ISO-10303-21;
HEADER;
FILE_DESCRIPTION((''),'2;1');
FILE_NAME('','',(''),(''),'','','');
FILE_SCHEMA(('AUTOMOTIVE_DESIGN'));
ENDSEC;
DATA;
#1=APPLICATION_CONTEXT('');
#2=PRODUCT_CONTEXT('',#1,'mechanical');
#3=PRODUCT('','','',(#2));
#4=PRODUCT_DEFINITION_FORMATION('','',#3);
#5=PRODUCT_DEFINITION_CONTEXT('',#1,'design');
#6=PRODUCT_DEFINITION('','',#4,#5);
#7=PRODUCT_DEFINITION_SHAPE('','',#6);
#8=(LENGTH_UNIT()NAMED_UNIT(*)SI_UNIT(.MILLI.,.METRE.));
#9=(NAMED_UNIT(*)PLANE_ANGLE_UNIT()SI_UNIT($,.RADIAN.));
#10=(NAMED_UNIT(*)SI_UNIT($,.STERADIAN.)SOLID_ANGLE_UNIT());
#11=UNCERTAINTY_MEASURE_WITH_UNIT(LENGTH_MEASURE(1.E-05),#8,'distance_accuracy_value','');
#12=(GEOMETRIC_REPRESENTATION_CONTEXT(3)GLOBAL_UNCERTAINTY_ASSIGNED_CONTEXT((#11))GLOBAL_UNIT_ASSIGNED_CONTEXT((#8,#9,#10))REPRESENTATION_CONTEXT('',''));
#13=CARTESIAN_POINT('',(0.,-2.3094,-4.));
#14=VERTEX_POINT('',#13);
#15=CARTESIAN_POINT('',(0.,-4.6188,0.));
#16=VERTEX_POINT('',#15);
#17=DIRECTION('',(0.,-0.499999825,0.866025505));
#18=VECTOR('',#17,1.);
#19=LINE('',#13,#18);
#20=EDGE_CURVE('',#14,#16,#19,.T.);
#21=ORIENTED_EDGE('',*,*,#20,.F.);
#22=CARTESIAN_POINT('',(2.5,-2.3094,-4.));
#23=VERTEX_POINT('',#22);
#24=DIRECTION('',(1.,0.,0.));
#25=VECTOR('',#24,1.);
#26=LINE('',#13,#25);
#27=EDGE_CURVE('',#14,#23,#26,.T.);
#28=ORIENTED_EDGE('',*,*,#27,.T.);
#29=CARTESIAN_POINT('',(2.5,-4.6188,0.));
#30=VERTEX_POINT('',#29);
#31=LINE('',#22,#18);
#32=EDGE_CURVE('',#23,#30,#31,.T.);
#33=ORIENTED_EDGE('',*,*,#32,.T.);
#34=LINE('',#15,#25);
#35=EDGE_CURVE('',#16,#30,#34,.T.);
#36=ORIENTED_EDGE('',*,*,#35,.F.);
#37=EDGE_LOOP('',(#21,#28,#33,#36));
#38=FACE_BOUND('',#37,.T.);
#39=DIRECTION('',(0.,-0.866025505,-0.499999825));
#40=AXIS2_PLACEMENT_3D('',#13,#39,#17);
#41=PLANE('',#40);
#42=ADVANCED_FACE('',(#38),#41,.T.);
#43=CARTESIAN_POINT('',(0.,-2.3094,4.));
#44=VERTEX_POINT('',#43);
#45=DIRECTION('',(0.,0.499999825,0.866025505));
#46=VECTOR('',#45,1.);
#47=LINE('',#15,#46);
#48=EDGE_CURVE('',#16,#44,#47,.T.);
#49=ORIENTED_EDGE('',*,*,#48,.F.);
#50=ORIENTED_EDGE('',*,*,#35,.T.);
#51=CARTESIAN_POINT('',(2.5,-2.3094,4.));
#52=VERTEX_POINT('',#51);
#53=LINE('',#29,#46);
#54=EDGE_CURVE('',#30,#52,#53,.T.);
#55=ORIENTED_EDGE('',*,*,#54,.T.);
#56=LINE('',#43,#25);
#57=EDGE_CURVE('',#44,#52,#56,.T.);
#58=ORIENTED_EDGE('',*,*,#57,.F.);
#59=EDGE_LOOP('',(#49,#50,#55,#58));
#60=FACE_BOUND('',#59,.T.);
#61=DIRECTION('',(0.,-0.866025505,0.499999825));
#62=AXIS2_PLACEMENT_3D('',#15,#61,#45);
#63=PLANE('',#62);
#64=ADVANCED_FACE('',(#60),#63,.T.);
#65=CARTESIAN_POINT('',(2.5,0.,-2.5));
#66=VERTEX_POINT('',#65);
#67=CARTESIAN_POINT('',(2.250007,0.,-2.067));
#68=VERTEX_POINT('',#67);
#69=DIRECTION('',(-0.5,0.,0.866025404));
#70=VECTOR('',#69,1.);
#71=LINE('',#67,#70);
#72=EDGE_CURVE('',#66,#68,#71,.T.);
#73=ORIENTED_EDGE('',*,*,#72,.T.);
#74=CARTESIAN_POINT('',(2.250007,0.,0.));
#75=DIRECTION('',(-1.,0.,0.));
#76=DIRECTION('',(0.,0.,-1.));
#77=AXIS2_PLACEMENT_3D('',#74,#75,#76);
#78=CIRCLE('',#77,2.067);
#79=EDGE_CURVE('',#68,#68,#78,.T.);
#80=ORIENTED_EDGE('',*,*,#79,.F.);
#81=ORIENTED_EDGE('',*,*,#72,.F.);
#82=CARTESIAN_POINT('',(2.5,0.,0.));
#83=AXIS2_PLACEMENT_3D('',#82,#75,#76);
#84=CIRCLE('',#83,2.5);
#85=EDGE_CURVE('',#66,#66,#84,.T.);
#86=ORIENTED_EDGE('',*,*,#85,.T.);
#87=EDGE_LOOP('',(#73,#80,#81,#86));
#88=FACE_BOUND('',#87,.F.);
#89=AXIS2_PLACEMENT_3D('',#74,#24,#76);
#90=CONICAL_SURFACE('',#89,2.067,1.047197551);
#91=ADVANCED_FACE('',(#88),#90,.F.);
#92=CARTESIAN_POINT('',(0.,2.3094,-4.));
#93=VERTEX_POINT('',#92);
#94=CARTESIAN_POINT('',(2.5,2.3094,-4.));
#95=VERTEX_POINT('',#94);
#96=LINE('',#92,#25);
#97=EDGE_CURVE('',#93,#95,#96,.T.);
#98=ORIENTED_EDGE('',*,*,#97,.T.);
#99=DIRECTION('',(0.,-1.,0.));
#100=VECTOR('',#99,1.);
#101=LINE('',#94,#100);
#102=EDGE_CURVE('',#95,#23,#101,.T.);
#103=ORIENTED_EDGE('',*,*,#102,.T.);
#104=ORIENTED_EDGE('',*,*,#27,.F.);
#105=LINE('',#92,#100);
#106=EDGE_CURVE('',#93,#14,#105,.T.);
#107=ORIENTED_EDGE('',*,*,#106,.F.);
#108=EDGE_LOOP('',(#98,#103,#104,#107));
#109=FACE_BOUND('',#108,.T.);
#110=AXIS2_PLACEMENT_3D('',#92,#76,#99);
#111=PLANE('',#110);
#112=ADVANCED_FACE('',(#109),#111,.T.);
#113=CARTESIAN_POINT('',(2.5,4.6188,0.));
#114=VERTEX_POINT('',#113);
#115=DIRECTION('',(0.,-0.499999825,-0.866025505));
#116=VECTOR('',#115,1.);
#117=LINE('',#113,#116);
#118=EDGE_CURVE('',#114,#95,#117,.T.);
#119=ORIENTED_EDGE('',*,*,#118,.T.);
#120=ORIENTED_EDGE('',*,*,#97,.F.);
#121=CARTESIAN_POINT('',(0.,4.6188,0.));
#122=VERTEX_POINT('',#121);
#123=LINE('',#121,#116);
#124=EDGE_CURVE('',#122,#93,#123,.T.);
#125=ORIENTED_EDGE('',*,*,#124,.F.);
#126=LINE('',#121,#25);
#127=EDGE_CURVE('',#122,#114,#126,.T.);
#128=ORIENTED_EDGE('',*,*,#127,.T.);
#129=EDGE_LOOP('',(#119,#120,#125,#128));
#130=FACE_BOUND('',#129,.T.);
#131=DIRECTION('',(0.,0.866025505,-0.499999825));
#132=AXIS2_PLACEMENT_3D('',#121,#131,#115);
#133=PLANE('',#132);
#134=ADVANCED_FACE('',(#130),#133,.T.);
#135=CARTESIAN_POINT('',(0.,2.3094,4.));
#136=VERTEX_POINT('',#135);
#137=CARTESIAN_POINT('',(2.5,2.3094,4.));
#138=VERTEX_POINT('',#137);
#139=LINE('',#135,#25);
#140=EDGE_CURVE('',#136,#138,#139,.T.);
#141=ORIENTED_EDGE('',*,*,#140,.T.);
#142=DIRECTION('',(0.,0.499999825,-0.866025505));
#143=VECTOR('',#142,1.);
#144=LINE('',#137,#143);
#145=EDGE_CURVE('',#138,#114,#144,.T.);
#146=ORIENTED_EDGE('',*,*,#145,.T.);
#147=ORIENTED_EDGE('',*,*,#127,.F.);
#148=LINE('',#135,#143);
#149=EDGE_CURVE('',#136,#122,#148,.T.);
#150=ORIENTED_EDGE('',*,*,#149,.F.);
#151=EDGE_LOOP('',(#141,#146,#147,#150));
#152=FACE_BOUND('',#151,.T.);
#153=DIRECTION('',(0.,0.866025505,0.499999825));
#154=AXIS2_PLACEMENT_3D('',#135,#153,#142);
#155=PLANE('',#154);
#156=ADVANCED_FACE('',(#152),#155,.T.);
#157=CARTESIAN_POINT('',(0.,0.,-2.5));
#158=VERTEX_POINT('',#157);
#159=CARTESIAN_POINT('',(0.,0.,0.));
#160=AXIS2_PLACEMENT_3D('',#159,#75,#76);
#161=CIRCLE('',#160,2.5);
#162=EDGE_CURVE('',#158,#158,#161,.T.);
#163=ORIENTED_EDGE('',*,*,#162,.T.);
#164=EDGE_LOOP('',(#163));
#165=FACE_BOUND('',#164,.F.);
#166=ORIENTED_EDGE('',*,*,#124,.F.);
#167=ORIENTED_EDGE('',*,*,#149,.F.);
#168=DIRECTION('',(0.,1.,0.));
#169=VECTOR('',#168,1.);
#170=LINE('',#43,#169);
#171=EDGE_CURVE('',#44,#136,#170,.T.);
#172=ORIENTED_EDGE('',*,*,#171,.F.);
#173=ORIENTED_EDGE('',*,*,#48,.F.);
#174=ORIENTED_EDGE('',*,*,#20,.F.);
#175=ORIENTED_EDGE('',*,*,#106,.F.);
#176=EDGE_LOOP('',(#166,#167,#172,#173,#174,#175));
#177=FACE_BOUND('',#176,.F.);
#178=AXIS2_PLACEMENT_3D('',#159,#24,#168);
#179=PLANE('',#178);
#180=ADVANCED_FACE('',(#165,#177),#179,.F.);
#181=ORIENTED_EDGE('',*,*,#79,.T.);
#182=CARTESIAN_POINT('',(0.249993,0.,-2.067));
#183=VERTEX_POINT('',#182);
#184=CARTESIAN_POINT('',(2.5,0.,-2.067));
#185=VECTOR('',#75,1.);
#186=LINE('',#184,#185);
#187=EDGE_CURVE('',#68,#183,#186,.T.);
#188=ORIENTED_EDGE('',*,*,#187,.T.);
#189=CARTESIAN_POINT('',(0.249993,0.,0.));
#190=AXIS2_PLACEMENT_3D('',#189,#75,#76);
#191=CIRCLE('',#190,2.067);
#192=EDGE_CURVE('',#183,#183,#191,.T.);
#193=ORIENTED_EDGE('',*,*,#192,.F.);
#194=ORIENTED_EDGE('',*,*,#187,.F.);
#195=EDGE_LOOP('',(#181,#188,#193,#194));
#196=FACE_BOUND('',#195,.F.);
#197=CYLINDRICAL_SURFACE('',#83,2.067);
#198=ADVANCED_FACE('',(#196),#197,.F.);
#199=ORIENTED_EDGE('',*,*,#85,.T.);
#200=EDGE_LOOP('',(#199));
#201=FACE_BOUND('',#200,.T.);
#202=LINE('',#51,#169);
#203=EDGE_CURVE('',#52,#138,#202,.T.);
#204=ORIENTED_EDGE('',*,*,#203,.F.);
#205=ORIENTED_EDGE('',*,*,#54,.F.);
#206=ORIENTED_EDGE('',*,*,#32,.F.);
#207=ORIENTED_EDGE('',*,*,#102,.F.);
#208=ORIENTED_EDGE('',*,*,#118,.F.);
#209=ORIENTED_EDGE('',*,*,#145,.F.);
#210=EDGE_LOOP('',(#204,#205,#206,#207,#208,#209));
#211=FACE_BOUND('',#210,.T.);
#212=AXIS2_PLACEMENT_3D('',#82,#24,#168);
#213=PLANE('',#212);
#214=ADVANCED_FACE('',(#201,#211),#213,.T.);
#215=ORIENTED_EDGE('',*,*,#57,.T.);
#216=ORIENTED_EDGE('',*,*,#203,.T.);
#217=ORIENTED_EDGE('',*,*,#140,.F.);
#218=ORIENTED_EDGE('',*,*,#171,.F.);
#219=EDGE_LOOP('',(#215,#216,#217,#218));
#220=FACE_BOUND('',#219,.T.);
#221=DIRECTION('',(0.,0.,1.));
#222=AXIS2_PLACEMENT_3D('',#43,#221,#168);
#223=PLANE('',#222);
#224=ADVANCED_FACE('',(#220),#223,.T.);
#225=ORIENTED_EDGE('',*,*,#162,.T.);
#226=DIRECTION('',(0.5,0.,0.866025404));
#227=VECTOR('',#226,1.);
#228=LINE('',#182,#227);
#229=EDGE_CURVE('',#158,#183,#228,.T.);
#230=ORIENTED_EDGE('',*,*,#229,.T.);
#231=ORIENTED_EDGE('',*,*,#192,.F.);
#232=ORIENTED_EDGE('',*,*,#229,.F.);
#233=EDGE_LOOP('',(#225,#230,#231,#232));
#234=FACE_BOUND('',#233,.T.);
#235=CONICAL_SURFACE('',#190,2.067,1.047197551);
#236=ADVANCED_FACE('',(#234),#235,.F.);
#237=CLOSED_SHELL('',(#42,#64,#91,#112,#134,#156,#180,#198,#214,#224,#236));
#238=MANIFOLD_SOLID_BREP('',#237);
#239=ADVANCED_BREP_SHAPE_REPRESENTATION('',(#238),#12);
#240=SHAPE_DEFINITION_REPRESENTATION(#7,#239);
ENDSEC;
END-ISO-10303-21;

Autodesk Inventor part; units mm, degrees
ref_plane "YZ Plane" through (0, 0, 0) normal (1, 0, 0) x (0, 1, 0)
ref_plane "XZ Plane" through (0, 0, 0) normal (0, 1, 0) x (-1, 0, 0)
sketch "Boceto1" plane through (0, 0, 0) normal (1, 0, 0) x (0, 1, 0)
  line L0 (2.3094, -4) -> (-2.3094, -4)
  line L1 (-2.3094, -4) -> (-4.6188, 0)
  line L2 (-4.6188, 0) -> (-2.3094, 4)
  line L3 (-2.3094, 4) -> (2.3094, 4)
  line L4 (2.3094, 4) -> (4.6188, 0)
  line L5 (4.6188, 0) -> (2.3094, -4)
  point P0 (0, 0)
  point P1 (0, 0)
  dimension "d0" = 9.2376
extrude "Cuerpo" add sketch "Boceto1" along normal blind 2.5
sketch "Boceto2" plane through (2.5, 0, 0) normal (1, 0, 0) x (0, 0, -1)
  point P0 (0, 0)
hole "Rosca" at (2.5, 0, 0) direction (-1, 0, 0) diameter 4.134 end through all thread size "M5x0.8" class "6H" standard "ISO Metric profile"
chamfer "Chaflán2" distance 0.433 angle 30 1 edges at (2.5, 0, 2.067) measured on face at (2.5, 2.8764, -1.7247)
chamfer "Chaflán1" distance 0.433 angle 30 1 edges at (0, 0, 2.067) measured on face at (0, 2.8764, -1.7247)
ref_plane "Work Plane1" through (-9.9733, 0, 0) normal (0, 0, -1) x (1, 0, 0)
equation "\"d0\" = 1.1547 * SW"
equation "\"d1\" = KOH"
equation "\"d12\" = -0.5 * GD1 + 0.5 * NND"
equation "\"d19\" = -0.5 * GD1 + 0.5 * NND"
equation "\"d10\" = -0.5 * GD1 + 0.5 * NND"
equation "\"d18\" = -0.5 * GD1 + 0.5 * NND"
equation "\"NND\" = 5"
equation "\"KOH\" = 2.5"
equation "\"SW\" = 8"
equation "\"GUL\" = 0.541266 * PTC"
equation "\"THREADDIA\" = 5"
equation "\"TOA\" = 30deg"
equation "\"PTC\" = 0.8"
equation "\"E0\" = 1.155 * SW"
equation "\"GAL\" = 0.541266 * PTC"
equation "\"GD1\" = 4.133975"
properties part number "BS 4183 - M5" material "Acero, suave"
